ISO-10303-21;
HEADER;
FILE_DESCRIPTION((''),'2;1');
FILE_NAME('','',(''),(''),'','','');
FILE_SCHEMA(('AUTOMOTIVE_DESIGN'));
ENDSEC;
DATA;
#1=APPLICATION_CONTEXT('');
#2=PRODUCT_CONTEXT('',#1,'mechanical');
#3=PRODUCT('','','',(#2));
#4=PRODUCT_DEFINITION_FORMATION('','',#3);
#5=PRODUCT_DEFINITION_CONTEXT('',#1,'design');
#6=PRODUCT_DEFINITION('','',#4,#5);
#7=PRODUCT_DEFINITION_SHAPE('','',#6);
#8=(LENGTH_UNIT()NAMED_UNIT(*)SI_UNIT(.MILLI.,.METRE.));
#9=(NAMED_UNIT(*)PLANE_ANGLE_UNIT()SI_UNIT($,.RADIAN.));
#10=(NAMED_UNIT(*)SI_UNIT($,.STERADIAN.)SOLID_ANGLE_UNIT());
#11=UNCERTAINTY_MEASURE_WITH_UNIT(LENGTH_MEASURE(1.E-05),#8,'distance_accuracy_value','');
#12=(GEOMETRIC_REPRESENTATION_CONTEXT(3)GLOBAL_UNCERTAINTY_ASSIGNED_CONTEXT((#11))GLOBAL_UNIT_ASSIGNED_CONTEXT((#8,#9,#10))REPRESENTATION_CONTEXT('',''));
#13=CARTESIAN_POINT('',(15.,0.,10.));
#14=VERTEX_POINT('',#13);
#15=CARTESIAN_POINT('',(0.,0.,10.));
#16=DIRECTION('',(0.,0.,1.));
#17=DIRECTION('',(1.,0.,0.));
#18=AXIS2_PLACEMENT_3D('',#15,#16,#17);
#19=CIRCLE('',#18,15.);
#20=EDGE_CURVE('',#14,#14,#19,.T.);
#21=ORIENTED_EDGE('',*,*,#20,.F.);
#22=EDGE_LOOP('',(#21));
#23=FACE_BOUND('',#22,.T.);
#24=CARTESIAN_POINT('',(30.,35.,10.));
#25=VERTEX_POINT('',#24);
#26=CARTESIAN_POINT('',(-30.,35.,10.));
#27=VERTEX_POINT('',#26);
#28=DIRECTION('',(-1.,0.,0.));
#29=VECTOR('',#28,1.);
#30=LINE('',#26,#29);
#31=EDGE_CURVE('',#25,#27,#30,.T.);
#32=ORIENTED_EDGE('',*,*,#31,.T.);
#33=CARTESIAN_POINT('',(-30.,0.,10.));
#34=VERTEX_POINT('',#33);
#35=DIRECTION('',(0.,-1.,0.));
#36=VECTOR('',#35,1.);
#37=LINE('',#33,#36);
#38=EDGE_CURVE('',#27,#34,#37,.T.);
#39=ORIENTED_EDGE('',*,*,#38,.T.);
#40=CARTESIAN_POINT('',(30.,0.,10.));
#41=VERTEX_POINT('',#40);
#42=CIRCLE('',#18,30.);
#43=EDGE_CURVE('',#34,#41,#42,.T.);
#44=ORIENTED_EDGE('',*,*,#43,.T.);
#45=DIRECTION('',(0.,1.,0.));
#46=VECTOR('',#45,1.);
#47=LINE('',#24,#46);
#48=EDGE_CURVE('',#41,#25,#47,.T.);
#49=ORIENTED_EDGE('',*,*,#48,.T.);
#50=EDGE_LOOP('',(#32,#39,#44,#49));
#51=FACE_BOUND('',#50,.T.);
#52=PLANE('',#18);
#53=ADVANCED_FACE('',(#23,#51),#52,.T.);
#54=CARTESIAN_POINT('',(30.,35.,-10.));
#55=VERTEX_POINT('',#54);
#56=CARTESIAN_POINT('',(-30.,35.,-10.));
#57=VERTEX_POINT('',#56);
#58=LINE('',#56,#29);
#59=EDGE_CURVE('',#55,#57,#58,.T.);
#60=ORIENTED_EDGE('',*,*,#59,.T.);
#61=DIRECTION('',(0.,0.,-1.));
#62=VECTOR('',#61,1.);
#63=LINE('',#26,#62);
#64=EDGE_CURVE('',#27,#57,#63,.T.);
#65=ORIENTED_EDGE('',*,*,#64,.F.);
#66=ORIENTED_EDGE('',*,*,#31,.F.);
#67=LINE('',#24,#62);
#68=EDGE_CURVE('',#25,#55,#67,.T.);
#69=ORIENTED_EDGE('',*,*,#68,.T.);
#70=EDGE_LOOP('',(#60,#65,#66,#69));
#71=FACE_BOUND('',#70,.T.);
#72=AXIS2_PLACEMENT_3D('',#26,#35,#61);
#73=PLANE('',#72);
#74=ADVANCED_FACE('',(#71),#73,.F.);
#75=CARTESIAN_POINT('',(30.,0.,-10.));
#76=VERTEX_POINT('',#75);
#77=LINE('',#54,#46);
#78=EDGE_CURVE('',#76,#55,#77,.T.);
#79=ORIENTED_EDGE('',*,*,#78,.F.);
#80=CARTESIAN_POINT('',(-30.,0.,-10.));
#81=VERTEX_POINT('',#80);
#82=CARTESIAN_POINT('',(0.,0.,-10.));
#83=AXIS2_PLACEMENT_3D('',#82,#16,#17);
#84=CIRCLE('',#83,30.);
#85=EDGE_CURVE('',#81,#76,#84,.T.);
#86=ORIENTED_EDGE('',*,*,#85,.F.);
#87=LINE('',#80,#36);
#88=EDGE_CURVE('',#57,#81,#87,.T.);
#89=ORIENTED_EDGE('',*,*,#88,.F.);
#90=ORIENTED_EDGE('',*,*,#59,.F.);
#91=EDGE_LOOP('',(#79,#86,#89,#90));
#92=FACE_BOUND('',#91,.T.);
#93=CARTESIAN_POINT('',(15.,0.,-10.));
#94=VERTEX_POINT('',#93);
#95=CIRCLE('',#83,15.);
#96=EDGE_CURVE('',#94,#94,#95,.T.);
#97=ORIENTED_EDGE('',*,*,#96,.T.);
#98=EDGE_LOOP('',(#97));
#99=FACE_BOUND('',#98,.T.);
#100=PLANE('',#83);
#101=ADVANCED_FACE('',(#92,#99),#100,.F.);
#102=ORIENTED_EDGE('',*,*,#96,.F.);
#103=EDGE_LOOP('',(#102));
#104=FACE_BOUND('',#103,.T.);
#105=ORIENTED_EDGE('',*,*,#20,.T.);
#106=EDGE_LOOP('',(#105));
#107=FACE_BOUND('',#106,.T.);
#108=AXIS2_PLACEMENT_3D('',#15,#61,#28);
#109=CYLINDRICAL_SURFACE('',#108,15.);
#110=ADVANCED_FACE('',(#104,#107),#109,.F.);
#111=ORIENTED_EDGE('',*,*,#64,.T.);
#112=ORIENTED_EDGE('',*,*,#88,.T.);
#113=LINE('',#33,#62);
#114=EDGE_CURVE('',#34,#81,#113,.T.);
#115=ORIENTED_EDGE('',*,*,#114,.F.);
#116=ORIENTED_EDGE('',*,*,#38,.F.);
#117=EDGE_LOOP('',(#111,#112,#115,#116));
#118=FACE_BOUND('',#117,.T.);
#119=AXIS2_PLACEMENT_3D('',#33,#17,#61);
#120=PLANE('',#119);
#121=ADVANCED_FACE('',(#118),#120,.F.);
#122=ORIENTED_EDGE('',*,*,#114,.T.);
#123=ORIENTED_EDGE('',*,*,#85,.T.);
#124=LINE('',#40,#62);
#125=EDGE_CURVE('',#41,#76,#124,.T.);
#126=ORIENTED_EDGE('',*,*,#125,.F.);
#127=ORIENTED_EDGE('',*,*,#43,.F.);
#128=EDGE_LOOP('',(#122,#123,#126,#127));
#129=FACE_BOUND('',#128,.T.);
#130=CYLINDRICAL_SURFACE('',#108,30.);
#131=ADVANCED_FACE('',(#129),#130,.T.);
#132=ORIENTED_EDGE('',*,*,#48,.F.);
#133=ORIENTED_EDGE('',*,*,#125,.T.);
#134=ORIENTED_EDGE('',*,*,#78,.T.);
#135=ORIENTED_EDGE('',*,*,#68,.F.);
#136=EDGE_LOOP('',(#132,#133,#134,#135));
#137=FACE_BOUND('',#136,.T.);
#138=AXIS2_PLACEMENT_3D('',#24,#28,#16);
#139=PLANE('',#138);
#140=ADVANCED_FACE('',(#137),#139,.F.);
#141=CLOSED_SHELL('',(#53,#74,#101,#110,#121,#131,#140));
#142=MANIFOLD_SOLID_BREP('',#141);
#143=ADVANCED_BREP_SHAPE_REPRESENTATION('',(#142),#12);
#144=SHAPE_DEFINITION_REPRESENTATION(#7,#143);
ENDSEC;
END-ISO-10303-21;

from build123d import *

# Parameters (mm, degrees)
SKETCH1_R           = 15
BOSS_EXTRUDE1_DEPTH = 10


with BuildPart() as part:
    # Sketch1 → Boss-Extrude1 (new, symmetric)
    with BuildSketch(Plane.XY):
        with BuildLine():
            Line((-30, 0), (-30, 35))
            Line((-30, 35), (30, 35))
            Line((30, 35), (30, 0))
            ThreePointArc((30, 0), (0, -30), (-30, 0))
        make_face()
        Circle(SKETCH1_R, mode=Mode.SUBTRACT)
    extrude(amount=BOSS_EXTRUDE1_DEPTH, both=True)


solid = part.part
